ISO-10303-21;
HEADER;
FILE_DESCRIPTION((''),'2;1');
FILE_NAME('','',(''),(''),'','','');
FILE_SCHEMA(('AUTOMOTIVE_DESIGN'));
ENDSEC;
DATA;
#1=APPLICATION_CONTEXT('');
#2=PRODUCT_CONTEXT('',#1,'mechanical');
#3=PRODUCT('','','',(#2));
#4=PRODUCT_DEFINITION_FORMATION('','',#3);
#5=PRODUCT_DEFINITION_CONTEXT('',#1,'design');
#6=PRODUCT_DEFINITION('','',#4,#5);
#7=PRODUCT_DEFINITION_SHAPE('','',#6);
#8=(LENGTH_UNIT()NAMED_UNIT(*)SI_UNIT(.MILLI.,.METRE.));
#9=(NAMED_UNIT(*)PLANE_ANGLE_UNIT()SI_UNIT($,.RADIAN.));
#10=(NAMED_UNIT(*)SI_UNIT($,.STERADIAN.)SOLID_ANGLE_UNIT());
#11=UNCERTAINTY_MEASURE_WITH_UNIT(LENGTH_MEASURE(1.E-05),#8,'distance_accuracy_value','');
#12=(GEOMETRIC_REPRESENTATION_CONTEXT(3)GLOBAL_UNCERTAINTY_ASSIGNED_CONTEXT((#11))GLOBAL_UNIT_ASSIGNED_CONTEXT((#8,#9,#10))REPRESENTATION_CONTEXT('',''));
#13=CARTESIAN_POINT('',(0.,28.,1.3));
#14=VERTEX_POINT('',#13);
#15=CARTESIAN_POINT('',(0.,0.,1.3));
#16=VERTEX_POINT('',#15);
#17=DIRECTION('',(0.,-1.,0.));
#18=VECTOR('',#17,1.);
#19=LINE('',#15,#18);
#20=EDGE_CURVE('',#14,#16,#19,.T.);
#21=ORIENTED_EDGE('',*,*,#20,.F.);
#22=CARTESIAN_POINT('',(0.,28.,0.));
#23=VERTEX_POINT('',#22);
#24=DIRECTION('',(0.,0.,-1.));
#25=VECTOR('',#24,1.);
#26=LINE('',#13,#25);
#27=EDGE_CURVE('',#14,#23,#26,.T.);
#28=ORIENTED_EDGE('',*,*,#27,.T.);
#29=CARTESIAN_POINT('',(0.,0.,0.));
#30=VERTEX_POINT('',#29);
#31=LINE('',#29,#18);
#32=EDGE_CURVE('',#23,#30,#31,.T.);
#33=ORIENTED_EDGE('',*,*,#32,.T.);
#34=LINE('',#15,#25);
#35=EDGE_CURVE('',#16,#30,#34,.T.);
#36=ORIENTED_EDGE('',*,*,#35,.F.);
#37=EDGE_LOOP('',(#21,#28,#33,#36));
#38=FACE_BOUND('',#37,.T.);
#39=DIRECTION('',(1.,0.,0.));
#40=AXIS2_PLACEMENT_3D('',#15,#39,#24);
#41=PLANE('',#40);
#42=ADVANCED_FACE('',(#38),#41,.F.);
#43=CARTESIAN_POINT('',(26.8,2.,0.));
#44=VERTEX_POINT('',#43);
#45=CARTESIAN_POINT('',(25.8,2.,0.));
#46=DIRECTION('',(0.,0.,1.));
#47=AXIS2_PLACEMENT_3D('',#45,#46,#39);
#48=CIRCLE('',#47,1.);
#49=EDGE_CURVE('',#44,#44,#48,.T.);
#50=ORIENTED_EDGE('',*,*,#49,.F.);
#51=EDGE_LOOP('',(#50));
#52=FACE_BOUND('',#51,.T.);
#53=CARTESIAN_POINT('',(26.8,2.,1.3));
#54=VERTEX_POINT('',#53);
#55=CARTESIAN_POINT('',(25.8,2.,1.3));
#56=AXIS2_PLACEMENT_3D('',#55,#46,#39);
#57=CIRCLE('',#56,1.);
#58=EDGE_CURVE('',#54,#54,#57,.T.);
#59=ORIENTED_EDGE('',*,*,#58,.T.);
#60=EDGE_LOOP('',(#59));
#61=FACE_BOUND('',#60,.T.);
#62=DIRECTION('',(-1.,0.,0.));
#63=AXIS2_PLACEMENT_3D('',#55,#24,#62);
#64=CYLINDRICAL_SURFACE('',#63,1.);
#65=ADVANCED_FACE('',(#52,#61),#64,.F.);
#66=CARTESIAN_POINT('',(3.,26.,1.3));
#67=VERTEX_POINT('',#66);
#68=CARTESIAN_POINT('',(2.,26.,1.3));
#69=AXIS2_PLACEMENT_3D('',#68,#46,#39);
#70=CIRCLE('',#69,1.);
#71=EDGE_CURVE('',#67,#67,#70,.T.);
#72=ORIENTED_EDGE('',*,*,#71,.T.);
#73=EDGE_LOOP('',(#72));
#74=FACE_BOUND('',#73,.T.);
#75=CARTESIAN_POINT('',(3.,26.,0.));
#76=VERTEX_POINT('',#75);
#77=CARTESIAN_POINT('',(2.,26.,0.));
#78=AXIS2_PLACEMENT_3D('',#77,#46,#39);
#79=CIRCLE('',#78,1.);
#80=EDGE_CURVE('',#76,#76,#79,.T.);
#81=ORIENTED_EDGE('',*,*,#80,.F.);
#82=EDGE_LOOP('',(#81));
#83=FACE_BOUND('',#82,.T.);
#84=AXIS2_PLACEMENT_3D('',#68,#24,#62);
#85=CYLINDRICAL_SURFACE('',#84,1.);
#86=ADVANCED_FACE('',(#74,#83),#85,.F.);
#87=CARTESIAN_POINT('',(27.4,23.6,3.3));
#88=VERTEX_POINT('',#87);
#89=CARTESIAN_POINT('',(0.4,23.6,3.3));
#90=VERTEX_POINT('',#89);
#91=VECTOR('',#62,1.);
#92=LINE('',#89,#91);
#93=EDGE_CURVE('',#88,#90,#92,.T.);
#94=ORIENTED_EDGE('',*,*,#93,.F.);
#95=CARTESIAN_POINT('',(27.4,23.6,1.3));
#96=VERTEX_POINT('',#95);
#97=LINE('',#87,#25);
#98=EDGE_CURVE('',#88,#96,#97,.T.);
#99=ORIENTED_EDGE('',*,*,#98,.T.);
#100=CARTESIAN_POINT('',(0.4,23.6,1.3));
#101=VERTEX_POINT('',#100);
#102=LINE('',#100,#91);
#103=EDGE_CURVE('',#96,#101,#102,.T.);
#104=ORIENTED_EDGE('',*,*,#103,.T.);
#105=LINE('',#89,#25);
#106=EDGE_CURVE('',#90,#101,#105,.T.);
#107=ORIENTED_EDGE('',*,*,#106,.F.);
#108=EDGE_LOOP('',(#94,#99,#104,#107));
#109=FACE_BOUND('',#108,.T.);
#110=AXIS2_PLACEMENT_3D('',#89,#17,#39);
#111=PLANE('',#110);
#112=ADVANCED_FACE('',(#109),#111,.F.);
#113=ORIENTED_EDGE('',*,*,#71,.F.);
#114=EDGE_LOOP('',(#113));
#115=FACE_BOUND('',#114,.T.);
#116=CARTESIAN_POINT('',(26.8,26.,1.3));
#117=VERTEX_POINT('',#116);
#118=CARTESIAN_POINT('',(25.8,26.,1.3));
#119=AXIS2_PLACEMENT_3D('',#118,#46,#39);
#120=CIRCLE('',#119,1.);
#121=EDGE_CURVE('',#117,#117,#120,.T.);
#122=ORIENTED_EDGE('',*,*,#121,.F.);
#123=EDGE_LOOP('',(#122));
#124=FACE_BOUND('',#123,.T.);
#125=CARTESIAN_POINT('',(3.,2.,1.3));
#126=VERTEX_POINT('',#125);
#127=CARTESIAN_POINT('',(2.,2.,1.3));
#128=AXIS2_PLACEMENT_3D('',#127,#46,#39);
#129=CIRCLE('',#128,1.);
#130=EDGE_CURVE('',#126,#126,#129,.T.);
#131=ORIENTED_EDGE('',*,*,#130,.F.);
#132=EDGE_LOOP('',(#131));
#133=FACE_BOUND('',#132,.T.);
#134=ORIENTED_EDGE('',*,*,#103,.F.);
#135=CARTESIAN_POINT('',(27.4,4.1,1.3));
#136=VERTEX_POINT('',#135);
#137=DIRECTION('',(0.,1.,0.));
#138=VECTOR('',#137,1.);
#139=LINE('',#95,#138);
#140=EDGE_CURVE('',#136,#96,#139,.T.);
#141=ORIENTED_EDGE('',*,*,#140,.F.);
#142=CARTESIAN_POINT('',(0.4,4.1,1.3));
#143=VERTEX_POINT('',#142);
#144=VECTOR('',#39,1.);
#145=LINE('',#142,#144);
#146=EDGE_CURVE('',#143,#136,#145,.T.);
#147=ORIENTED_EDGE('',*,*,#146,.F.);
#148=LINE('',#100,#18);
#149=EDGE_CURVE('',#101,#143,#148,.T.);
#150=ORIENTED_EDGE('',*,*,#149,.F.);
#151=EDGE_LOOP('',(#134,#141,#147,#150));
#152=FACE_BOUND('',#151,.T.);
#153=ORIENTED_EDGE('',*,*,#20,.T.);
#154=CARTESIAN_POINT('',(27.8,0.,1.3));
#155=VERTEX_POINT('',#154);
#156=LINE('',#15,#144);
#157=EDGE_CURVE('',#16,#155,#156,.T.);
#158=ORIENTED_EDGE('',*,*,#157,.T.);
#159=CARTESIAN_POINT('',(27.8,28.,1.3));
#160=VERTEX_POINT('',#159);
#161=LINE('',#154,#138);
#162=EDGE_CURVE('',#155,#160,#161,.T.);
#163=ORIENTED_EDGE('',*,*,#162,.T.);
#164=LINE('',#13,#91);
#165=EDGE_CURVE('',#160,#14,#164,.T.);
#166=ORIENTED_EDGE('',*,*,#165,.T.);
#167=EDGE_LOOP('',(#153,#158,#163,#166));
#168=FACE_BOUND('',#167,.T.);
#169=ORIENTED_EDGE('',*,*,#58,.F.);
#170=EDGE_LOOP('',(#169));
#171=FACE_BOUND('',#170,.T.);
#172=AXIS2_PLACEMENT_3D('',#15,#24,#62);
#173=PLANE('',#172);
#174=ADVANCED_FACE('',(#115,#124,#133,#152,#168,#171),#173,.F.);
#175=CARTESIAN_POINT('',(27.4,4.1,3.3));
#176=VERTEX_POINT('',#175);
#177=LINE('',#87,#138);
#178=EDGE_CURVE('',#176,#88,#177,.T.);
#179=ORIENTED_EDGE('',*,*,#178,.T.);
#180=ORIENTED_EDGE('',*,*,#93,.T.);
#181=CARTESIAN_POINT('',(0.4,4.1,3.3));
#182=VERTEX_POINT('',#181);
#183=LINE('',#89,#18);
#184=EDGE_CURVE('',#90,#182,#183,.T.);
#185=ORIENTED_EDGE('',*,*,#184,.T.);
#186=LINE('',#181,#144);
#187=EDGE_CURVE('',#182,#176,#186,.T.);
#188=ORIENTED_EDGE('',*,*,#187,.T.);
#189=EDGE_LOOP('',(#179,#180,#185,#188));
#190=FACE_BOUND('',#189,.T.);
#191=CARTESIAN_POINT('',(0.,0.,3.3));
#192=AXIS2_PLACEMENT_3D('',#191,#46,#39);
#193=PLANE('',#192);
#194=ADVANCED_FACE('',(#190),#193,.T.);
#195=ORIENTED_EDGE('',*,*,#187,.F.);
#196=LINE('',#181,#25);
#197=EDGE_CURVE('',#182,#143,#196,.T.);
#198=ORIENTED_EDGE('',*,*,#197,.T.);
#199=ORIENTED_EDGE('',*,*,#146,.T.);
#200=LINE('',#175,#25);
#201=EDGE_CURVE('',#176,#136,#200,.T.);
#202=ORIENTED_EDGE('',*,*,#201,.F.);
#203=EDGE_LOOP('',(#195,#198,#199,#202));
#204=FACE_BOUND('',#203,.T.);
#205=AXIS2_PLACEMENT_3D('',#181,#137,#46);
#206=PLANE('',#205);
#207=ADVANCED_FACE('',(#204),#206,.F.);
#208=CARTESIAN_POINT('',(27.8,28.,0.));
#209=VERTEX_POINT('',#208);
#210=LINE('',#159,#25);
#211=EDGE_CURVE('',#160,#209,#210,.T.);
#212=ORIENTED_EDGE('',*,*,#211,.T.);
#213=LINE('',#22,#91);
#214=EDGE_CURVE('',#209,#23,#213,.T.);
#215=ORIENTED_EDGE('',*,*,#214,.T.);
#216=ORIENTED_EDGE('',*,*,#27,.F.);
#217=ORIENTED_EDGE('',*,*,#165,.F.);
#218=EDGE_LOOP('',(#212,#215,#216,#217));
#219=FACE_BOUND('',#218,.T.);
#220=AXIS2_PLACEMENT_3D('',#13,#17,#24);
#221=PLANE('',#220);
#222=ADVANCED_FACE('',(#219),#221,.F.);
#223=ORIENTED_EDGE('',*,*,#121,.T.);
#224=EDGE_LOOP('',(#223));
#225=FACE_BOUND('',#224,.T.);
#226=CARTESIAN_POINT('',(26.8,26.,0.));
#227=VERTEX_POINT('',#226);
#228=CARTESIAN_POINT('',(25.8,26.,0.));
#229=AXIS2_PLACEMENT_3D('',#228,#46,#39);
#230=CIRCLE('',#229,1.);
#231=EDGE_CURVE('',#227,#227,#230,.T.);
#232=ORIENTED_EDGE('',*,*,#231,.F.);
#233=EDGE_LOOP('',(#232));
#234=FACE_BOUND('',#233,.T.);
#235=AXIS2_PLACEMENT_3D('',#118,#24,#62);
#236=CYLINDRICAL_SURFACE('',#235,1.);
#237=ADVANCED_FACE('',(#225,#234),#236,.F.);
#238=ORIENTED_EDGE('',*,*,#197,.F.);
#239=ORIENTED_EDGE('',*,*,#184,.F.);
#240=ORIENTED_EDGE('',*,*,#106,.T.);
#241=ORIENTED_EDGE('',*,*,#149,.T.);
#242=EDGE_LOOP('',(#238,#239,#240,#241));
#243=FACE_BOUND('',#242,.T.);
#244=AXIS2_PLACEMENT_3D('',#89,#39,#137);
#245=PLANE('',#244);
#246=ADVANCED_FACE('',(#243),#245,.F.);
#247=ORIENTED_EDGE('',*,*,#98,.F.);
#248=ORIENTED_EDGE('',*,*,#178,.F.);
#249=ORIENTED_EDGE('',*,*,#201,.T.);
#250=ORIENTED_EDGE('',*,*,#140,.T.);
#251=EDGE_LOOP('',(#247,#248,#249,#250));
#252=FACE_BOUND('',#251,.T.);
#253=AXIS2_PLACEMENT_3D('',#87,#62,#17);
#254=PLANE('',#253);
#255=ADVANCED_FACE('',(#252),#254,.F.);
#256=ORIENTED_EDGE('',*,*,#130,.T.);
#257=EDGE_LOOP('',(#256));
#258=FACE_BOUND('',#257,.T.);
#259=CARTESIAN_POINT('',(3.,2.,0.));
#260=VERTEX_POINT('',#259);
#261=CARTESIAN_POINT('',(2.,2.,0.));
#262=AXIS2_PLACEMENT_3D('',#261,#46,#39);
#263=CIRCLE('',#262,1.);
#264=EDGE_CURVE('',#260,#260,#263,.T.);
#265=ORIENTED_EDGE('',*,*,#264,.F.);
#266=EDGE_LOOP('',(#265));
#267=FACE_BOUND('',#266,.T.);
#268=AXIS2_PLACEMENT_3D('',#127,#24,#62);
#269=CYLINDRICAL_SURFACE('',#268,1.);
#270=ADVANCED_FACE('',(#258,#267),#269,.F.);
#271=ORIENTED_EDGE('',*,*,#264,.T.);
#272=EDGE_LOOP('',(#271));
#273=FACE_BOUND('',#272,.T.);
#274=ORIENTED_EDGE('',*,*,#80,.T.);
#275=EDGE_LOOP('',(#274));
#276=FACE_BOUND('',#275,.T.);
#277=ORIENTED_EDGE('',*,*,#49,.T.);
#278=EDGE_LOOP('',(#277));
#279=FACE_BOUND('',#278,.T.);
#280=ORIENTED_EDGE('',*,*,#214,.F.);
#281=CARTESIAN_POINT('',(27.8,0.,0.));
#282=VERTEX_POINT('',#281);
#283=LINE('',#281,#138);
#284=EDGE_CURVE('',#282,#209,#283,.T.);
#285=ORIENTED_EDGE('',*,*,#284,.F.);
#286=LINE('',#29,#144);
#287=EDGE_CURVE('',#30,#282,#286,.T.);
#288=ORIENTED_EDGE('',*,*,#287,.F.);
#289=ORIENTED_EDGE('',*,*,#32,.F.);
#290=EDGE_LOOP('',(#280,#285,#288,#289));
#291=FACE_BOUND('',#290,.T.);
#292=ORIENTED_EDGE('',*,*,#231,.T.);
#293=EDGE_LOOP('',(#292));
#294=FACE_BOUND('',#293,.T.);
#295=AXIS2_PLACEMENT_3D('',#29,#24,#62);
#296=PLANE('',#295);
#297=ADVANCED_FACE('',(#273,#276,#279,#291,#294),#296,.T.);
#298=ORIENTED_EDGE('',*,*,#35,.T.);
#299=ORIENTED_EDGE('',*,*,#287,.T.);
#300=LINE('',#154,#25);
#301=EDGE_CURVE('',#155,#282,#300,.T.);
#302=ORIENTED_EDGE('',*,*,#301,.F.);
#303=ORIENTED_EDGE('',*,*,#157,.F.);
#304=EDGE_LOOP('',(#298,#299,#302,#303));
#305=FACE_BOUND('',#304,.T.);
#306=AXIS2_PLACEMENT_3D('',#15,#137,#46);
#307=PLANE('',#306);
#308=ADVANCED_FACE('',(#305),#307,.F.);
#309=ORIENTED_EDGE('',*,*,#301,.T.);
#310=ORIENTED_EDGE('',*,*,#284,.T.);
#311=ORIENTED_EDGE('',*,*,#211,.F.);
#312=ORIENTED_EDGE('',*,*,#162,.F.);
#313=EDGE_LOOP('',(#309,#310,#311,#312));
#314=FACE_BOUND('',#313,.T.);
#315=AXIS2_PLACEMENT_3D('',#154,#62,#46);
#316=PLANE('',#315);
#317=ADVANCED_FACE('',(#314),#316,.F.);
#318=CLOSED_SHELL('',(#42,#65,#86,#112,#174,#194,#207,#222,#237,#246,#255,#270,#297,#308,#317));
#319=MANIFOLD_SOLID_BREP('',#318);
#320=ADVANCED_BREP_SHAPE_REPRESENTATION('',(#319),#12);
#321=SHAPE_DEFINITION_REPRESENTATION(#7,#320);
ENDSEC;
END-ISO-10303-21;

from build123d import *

# Parameters (mm, degrees)
SKETCH1_W           = 27.8
SKETCH1_H           = 28
SKETCH1_R           = 1
BOSS_EXTRUDE1_DEPTH = 1.3
SKETCH2_W           = 27
SKETCH2_H           = 19.5
BOSS_EXTRUDE2_DEPTH = 2


with BuildPart() as part:
    # Sketch1 → Boss-Extrude1 (new body)
    with BuildSketch(Plane.XY):
        with Locations((13.9, 14)):
            Rectangle(SKETCH1_W, SKETCH1_H)
        with Locations((25.8, 26)):
            Circle(SKETCH1_R, mode=Mode.SUBTRACT)
        with Locations((2, 26)):
            Circle(SKETCH1_R, mode=Mode.SUBTRACT)
        with Locations((25.8, 2)):
            Circle(SKETCH1_R, mode=Mode.SUBTRACT)
        with Locations((2, 2)):
            Circle(SKETCH1_R, mode=Mode.SUBTRACT)
    extrude(amount=BOSS_EXTRUDE1_DEPTH)

    # Sketch2 → Boss-Extrude2 (add)
    with BuildSketch(Plane.XY.offset(1.3)):
        with Locations((13.9, 13.85)):
            Rectangle(SKETCH2_W, SKETCH2_H)
    extrude(amount=BOSS_EXTRUDE2_DEPTH)


solid = part.part
